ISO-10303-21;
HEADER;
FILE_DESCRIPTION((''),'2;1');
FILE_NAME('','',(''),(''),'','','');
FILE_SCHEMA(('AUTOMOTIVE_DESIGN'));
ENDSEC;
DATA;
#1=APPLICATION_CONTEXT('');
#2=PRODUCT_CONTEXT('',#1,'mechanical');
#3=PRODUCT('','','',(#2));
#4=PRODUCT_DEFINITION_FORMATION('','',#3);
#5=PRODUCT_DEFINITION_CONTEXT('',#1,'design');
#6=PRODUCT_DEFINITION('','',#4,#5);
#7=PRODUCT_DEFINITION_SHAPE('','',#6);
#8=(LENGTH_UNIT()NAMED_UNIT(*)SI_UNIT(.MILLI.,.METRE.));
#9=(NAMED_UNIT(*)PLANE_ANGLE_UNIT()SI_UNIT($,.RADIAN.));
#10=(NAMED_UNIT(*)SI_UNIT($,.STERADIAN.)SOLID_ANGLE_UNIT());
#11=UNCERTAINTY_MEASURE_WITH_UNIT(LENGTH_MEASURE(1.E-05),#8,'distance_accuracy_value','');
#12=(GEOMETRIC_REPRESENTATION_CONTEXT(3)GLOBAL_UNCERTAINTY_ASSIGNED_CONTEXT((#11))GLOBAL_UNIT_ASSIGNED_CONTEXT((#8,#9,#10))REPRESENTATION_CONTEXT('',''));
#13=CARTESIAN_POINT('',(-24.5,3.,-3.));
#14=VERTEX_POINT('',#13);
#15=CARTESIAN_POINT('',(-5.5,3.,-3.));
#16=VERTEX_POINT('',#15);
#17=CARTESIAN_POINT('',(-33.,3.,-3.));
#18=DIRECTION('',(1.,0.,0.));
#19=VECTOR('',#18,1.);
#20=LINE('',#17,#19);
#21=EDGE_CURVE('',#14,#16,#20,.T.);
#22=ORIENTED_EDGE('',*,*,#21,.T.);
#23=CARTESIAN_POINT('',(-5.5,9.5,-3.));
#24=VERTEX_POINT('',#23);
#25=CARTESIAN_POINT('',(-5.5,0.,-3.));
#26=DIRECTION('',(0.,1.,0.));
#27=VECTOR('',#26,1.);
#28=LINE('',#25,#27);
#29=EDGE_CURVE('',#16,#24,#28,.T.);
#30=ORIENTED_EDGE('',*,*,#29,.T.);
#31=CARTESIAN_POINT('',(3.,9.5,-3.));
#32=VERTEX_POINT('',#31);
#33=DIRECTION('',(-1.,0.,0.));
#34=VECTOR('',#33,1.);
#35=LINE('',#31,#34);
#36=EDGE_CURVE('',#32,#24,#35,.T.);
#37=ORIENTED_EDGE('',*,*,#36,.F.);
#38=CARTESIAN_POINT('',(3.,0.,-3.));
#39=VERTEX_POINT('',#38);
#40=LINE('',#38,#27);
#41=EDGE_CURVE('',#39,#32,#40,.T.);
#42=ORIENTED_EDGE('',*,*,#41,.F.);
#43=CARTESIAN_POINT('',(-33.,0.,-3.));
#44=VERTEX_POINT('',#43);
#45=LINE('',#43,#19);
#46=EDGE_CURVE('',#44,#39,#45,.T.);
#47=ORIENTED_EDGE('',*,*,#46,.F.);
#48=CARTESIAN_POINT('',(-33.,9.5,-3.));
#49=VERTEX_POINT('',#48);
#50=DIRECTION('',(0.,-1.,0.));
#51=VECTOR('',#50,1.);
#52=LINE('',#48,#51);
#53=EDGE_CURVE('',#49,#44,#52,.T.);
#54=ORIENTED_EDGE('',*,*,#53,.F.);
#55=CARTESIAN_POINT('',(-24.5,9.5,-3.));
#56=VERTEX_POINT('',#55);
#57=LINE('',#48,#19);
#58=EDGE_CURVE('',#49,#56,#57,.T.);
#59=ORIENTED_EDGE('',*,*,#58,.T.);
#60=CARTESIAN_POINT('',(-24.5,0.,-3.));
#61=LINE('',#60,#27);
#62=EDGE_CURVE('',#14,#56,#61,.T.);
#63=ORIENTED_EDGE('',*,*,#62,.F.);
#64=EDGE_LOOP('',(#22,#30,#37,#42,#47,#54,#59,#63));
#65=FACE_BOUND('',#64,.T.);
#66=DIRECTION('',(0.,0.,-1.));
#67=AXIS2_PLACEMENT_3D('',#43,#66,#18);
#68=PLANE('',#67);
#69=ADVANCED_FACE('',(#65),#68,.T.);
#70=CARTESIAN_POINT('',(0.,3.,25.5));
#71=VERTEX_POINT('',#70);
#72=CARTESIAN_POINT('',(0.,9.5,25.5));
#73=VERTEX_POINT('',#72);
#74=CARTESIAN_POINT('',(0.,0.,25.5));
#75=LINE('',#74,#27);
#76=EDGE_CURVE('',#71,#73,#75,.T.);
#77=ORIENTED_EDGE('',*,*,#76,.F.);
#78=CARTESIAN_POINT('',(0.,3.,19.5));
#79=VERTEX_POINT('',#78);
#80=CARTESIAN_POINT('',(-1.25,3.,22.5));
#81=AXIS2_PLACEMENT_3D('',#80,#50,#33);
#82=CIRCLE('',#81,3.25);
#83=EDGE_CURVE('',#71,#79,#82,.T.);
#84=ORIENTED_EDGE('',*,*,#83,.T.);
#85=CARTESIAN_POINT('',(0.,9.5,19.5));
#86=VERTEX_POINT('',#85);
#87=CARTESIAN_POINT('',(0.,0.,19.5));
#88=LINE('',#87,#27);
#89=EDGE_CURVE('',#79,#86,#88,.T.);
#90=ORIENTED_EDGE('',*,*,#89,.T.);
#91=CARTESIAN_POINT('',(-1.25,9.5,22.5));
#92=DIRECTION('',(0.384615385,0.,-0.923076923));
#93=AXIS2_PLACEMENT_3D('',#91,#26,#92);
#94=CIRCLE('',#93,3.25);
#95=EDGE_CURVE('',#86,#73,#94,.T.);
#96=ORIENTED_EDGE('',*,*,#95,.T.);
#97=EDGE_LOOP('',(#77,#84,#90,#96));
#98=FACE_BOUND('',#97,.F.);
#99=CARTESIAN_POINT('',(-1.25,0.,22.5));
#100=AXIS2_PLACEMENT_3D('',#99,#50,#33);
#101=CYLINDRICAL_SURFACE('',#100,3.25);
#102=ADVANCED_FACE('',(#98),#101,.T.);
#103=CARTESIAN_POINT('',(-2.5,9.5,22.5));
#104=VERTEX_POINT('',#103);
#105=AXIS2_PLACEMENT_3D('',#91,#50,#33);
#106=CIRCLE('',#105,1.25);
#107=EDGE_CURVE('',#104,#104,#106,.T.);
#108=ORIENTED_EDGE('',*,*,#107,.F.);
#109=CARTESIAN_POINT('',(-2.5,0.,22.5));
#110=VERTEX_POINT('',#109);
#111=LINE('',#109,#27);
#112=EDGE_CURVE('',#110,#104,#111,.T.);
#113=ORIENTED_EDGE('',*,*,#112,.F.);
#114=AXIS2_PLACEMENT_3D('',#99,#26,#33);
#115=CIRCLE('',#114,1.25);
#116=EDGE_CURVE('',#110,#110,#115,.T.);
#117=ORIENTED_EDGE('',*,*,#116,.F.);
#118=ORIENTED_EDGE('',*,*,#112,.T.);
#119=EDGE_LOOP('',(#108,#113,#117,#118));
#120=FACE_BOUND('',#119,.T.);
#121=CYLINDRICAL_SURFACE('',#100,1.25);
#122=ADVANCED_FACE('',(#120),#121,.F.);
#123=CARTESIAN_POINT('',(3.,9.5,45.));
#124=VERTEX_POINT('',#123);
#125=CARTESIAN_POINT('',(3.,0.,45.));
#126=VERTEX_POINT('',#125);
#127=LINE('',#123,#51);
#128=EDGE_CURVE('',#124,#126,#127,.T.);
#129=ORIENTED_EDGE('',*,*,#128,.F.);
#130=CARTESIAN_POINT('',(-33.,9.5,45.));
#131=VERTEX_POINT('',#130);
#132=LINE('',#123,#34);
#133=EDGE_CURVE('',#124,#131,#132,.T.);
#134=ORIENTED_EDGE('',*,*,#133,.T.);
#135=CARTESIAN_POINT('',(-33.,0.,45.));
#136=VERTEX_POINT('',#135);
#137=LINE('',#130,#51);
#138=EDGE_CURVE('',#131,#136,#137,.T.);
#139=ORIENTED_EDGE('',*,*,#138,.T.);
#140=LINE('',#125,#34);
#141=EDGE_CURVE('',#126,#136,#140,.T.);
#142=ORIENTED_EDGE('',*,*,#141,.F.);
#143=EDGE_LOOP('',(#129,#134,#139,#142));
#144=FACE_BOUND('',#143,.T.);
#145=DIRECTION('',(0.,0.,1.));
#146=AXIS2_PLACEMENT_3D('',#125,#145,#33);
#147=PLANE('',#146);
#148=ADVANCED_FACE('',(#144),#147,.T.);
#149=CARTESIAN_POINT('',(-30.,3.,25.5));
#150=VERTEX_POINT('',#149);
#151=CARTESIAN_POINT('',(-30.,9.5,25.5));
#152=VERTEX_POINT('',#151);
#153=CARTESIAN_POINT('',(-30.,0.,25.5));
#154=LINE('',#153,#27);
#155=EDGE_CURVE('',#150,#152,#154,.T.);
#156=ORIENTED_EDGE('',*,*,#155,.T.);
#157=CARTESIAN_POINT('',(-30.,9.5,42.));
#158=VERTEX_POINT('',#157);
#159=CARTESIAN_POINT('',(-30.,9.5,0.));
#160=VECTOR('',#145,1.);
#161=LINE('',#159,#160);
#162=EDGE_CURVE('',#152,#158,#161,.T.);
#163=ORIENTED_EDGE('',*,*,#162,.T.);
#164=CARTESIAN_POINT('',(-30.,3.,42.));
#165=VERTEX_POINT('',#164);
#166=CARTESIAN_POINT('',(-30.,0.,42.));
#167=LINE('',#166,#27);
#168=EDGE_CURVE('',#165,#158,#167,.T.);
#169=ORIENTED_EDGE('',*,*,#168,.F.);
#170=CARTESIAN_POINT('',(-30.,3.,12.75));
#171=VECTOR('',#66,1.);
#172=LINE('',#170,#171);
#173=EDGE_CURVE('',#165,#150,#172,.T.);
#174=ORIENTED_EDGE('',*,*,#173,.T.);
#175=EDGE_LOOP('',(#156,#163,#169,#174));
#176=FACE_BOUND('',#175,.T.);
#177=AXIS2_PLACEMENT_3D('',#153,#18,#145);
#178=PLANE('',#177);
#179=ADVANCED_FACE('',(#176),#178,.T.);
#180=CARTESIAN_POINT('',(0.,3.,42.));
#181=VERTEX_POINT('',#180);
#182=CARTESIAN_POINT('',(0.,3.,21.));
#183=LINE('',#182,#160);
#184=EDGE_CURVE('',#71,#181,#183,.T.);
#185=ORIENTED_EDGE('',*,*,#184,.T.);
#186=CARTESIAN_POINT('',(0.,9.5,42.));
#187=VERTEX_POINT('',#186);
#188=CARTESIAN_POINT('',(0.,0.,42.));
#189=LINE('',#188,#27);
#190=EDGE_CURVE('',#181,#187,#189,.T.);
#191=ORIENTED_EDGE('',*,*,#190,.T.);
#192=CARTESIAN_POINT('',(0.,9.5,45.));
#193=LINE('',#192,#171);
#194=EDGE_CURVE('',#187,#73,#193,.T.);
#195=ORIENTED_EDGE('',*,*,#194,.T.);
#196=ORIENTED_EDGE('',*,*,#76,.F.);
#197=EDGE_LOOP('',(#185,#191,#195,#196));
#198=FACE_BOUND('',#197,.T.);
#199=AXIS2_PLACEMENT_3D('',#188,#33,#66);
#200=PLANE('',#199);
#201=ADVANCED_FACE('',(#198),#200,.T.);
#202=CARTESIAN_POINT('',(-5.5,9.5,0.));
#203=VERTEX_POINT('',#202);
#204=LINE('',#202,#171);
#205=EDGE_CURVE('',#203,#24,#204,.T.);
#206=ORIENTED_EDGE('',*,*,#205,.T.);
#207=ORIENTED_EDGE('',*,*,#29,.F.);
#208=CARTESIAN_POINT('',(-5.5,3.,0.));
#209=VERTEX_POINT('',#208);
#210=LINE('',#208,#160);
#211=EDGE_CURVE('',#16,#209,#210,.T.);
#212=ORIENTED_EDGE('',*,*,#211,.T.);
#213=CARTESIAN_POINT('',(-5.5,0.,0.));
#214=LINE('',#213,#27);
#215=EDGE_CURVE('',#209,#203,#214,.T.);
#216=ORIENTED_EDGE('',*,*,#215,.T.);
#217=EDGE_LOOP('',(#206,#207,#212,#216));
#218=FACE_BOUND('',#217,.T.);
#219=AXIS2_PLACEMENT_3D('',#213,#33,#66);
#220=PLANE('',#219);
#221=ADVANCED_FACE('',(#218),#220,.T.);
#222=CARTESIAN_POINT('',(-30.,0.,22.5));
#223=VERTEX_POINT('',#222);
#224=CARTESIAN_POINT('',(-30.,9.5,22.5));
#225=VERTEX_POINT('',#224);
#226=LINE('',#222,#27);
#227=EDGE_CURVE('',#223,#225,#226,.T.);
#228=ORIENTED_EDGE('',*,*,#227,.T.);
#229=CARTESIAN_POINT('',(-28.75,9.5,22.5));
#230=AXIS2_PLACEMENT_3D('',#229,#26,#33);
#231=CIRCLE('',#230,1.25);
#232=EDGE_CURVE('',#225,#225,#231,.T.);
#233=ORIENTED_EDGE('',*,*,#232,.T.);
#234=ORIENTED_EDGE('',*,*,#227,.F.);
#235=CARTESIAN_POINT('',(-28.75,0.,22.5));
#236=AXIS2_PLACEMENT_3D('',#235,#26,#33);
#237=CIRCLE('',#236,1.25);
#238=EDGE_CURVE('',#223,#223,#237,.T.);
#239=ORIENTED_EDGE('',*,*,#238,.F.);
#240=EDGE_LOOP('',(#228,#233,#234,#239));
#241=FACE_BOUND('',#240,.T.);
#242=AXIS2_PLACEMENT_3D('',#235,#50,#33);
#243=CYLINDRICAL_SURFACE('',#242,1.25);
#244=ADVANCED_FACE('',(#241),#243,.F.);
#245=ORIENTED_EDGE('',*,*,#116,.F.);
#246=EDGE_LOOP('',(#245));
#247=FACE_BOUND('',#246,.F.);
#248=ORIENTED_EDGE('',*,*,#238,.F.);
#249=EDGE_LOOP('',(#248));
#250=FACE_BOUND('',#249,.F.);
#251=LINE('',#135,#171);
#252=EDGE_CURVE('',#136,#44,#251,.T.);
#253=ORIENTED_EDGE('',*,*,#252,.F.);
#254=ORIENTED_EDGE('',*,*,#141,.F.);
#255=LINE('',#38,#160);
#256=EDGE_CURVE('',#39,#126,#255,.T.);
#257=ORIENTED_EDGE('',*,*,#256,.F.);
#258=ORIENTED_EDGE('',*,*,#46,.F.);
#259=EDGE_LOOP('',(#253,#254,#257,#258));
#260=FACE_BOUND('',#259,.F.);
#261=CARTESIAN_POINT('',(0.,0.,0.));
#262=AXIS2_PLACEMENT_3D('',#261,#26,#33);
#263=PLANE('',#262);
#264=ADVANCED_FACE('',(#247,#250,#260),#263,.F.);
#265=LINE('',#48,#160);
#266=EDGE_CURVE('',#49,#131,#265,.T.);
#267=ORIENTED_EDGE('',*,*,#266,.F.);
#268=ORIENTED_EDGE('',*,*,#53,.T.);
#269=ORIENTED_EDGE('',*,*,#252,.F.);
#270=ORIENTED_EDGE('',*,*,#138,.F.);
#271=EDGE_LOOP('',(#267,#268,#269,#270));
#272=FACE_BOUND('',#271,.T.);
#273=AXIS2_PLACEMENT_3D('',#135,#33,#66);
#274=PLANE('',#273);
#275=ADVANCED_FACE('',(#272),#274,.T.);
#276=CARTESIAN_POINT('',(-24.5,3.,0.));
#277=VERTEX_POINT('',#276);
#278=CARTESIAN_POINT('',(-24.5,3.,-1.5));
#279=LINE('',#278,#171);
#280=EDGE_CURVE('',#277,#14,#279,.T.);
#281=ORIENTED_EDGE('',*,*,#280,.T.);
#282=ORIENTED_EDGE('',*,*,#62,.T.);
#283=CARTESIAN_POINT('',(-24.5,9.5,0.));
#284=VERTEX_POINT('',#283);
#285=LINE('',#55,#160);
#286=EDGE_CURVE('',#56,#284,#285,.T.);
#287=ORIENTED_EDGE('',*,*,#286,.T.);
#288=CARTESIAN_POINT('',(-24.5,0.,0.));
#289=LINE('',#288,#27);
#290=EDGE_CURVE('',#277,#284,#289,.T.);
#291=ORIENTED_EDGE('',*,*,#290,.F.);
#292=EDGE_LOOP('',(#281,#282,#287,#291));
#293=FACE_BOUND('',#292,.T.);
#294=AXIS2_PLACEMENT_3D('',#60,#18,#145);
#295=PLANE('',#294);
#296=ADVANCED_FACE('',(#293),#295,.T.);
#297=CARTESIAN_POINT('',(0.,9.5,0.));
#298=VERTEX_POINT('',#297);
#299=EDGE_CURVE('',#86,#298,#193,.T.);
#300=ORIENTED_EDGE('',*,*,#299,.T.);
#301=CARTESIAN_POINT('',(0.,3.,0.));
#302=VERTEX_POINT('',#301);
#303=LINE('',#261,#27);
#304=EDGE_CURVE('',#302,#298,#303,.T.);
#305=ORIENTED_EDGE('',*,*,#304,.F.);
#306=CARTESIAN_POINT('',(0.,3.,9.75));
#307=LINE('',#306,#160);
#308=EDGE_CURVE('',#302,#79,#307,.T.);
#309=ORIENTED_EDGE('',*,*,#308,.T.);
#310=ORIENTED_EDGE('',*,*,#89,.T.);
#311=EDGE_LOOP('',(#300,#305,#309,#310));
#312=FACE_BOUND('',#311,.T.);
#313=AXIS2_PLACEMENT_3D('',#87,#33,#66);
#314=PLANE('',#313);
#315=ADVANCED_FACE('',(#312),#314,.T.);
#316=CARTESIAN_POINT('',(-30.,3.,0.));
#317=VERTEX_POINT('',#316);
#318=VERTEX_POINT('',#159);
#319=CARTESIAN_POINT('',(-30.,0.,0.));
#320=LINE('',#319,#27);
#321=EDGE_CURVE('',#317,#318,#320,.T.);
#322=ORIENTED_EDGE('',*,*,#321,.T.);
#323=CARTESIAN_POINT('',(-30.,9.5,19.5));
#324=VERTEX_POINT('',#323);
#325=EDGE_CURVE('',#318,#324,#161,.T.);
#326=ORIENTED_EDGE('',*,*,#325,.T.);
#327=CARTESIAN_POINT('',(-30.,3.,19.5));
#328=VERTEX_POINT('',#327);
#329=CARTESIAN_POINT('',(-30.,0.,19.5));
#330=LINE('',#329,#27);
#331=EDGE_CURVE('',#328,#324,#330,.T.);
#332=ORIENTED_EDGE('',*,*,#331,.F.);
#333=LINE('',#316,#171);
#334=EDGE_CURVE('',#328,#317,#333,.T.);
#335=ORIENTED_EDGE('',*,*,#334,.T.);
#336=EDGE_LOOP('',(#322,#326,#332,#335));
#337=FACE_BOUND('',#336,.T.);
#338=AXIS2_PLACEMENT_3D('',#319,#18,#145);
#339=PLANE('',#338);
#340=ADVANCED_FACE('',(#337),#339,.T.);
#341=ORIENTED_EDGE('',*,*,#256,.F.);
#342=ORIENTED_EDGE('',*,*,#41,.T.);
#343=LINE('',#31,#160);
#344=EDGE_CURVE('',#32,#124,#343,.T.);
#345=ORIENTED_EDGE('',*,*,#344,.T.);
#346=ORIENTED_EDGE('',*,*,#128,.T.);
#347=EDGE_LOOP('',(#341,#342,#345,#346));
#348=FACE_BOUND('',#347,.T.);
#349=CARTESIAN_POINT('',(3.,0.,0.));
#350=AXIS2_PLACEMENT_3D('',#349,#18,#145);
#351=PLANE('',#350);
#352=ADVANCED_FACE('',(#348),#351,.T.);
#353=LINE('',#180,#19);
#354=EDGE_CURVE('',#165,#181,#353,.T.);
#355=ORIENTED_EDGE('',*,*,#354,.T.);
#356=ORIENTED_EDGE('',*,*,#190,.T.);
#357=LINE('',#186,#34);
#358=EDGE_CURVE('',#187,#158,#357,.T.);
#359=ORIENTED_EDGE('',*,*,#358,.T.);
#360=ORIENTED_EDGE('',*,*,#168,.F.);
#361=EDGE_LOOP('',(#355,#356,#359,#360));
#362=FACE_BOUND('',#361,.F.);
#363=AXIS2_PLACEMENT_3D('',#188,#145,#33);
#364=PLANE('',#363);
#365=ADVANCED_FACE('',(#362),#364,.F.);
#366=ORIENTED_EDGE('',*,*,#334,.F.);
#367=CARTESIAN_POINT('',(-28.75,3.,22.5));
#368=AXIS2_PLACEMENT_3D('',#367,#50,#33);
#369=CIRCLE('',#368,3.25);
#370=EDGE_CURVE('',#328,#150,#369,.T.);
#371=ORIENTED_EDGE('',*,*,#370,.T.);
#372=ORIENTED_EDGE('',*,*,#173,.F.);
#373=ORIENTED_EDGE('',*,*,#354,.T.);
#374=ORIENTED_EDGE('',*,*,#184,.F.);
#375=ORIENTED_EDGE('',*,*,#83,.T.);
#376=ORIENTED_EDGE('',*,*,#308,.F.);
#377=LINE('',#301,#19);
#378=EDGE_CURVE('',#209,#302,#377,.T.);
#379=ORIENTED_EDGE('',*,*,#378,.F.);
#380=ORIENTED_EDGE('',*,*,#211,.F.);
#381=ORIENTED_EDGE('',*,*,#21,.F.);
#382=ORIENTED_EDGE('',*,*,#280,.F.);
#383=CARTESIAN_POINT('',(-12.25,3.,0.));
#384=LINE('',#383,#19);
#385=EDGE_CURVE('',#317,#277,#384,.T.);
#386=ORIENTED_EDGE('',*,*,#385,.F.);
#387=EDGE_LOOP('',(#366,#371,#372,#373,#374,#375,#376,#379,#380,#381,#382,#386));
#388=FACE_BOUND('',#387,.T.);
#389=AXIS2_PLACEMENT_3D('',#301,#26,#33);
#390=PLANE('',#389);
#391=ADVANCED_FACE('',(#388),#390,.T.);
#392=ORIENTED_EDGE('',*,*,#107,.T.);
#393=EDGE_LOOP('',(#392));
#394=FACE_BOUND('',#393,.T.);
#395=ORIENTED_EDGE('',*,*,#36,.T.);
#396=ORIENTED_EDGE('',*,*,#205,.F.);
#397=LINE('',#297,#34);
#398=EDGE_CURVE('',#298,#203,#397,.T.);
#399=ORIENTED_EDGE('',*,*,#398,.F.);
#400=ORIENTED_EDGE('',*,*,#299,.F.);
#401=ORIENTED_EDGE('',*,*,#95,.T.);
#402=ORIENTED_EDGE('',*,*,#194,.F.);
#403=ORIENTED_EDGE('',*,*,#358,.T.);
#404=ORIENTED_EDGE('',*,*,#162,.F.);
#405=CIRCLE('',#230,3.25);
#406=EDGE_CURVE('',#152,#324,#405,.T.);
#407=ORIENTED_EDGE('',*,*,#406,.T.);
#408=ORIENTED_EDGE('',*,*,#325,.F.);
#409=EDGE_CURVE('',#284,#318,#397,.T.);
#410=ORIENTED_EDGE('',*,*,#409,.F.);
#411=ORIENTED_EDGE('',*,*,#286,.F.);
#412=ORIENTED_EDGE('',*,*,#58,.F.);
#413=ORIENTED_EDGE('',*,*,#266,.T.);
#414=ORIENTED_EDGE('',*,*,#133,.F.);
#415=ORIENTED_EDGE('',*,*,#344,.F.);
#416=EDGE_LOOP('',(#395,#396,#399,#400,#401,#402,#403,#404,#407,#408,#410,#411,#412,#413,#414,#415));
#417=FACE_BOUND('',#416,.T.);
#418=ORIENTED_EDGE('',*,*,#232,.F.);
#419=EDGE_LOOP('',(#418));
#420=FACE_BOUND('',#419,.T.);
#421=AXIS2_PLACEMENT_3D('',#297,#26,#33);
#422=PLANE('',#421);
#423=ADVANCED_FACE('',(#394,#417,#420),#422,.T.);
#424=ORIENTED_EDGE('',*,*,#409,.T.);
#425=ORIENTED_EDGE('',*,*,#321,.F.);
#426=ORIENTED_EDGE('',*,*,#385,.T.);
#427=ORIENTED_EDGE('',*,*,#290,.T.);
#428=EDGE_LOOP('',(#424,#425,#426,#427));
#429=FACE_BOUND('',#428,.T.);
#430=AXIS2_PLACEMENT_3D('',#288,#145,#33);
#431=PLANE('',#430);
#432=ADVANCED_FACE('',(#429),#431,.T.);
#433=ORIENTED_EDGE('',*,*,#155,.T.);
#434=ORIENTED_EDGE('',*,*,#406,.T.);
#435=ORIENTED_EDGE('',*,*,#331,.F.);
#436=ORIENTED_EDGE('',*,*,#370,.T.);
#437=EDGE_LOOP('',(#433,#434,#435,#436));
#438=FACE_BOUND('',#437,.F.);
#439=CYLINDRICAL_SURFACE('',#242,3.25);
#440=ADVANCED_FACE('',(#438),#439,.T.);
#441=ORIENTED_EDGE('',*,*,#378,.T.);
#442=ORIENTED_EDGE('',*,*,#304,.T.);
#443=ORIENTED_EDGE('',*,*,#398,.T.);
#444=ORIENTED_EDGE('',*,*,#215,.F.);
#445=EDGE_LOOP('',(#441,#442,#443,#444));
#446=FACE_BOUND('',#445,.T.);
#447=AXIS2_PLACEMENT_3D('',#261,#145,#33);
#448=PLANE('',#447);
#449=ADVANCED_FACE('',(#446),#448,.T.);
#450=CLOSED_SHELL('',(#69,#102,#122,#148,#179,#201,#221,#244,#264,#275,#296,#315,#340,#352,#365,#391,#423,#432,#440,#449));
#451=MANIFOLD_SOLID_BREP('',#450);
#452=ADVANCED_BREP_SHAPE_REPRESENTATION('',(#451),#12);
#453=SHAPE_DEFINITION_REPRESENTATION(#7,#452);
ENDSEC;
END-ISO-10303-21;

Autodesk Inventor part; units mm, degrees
ref_plane "YZ Plane" through (0, 0, 0) normal (1, 0, 0) x (0, 1, 0)
ref_plane "XZ Plane" through (0, 0, 0) normal (0, 1, 0) x (-1, 0, 0)
ref_plane "XY Plane" through (0, 0, 0) normal (0, 0, 1) x (1, 0, 0)
sketch "Sketch1" plane through (0, 0, 0) normal (0, 1, 0) x (-1, 0, 0)
  line L0 (0, 0) -> (30, 0)
  line L1 (30, 0) -> (30, 45)
  line L2 (30, 45) -> (0, 45)
  line L3 (0, 45) -> (0, 0)
  line L4 (33, 0) -> (-3, 0)
  line L5 (-3, 0) -> (-3, 45)
  line L6 (-3, 45) -> (33, 45)
  line L7 (33, 45) -> (33, 0)
  line L8 (30, 45) -> (0, 45)
  line L9 (0, 45) -> (0, 42)
  line L10 (0, 42) -> (30, 42)
  line L11 (30, 42) -> (30, 45)
  line L12 (24.5, 0) -> (5.5, 0)
  line L13 (5.5, 0) -> (5.5, -3)
  line L14 (5.5, -3) -> (24.5, -3)
  line L15 (24.5, -3) -> (24.5, 0)
  line L16 (24.5, 0) -> (33, 0)
  line L17 (33, 0) -> (33, -3)
  line L18 (33, -3) -> (24.5, -3)
  line L19 (24.5, -3) -> (24.5, 0)
  line L20 (5.5, 0) -> (-3, 0)
  line L21 (-3, 0) -> (-3, -3)
  line L22 (-3, -3) -> (5.5, -3)
  line L23 (5.5, -3) -> (5.5, 0)
  circle A0 centre (28.75, 22.5) radius 1.25
  circle A1 centre (1.25, 22.5) radius 1.25
  circle A2 centre (28.75, 22.5) radius 3.25
  circle A3 centre (1.25, 22.5) radius 3.25
  point P0 (33, 22.5)
  point P1 (33, 22.5)
  point P2 (5.5, 0)
  point P3 (30, 19.5)
  point P4 (0, 19.5)
  point P5 (0, 25.5)
  point P6 (30, 25.5)
  dimension "d0" = 3
  dimension "d1" = 3
  dimension "d2" = 30
  dimension "d3" = 45
  dimension "d4" = 3
  dimension "d5" = 19
  dimension "d6" = 3
  dimension "d7" = 2.5
  dimension "d8" = 2.5
  dimension "d9" = 2
  dimension "d10" = 2
extrude "Extrusion1" add sketch "Sketch1" along normal blind 3
extrude "Extrusion2" add sketch "Sketch1" along normal blind 9.5 contours L4 L5 L6 L3 A3 | L0 L13 L22 L21 L4 | A3 L3 | L3 A3 | L0 L4 L17 L18 L15 | L1 A2 L6 L7 L4 | L3 L2 L1 L10 | A2 L1 | L1 A2
properties part number "dongle shell"
